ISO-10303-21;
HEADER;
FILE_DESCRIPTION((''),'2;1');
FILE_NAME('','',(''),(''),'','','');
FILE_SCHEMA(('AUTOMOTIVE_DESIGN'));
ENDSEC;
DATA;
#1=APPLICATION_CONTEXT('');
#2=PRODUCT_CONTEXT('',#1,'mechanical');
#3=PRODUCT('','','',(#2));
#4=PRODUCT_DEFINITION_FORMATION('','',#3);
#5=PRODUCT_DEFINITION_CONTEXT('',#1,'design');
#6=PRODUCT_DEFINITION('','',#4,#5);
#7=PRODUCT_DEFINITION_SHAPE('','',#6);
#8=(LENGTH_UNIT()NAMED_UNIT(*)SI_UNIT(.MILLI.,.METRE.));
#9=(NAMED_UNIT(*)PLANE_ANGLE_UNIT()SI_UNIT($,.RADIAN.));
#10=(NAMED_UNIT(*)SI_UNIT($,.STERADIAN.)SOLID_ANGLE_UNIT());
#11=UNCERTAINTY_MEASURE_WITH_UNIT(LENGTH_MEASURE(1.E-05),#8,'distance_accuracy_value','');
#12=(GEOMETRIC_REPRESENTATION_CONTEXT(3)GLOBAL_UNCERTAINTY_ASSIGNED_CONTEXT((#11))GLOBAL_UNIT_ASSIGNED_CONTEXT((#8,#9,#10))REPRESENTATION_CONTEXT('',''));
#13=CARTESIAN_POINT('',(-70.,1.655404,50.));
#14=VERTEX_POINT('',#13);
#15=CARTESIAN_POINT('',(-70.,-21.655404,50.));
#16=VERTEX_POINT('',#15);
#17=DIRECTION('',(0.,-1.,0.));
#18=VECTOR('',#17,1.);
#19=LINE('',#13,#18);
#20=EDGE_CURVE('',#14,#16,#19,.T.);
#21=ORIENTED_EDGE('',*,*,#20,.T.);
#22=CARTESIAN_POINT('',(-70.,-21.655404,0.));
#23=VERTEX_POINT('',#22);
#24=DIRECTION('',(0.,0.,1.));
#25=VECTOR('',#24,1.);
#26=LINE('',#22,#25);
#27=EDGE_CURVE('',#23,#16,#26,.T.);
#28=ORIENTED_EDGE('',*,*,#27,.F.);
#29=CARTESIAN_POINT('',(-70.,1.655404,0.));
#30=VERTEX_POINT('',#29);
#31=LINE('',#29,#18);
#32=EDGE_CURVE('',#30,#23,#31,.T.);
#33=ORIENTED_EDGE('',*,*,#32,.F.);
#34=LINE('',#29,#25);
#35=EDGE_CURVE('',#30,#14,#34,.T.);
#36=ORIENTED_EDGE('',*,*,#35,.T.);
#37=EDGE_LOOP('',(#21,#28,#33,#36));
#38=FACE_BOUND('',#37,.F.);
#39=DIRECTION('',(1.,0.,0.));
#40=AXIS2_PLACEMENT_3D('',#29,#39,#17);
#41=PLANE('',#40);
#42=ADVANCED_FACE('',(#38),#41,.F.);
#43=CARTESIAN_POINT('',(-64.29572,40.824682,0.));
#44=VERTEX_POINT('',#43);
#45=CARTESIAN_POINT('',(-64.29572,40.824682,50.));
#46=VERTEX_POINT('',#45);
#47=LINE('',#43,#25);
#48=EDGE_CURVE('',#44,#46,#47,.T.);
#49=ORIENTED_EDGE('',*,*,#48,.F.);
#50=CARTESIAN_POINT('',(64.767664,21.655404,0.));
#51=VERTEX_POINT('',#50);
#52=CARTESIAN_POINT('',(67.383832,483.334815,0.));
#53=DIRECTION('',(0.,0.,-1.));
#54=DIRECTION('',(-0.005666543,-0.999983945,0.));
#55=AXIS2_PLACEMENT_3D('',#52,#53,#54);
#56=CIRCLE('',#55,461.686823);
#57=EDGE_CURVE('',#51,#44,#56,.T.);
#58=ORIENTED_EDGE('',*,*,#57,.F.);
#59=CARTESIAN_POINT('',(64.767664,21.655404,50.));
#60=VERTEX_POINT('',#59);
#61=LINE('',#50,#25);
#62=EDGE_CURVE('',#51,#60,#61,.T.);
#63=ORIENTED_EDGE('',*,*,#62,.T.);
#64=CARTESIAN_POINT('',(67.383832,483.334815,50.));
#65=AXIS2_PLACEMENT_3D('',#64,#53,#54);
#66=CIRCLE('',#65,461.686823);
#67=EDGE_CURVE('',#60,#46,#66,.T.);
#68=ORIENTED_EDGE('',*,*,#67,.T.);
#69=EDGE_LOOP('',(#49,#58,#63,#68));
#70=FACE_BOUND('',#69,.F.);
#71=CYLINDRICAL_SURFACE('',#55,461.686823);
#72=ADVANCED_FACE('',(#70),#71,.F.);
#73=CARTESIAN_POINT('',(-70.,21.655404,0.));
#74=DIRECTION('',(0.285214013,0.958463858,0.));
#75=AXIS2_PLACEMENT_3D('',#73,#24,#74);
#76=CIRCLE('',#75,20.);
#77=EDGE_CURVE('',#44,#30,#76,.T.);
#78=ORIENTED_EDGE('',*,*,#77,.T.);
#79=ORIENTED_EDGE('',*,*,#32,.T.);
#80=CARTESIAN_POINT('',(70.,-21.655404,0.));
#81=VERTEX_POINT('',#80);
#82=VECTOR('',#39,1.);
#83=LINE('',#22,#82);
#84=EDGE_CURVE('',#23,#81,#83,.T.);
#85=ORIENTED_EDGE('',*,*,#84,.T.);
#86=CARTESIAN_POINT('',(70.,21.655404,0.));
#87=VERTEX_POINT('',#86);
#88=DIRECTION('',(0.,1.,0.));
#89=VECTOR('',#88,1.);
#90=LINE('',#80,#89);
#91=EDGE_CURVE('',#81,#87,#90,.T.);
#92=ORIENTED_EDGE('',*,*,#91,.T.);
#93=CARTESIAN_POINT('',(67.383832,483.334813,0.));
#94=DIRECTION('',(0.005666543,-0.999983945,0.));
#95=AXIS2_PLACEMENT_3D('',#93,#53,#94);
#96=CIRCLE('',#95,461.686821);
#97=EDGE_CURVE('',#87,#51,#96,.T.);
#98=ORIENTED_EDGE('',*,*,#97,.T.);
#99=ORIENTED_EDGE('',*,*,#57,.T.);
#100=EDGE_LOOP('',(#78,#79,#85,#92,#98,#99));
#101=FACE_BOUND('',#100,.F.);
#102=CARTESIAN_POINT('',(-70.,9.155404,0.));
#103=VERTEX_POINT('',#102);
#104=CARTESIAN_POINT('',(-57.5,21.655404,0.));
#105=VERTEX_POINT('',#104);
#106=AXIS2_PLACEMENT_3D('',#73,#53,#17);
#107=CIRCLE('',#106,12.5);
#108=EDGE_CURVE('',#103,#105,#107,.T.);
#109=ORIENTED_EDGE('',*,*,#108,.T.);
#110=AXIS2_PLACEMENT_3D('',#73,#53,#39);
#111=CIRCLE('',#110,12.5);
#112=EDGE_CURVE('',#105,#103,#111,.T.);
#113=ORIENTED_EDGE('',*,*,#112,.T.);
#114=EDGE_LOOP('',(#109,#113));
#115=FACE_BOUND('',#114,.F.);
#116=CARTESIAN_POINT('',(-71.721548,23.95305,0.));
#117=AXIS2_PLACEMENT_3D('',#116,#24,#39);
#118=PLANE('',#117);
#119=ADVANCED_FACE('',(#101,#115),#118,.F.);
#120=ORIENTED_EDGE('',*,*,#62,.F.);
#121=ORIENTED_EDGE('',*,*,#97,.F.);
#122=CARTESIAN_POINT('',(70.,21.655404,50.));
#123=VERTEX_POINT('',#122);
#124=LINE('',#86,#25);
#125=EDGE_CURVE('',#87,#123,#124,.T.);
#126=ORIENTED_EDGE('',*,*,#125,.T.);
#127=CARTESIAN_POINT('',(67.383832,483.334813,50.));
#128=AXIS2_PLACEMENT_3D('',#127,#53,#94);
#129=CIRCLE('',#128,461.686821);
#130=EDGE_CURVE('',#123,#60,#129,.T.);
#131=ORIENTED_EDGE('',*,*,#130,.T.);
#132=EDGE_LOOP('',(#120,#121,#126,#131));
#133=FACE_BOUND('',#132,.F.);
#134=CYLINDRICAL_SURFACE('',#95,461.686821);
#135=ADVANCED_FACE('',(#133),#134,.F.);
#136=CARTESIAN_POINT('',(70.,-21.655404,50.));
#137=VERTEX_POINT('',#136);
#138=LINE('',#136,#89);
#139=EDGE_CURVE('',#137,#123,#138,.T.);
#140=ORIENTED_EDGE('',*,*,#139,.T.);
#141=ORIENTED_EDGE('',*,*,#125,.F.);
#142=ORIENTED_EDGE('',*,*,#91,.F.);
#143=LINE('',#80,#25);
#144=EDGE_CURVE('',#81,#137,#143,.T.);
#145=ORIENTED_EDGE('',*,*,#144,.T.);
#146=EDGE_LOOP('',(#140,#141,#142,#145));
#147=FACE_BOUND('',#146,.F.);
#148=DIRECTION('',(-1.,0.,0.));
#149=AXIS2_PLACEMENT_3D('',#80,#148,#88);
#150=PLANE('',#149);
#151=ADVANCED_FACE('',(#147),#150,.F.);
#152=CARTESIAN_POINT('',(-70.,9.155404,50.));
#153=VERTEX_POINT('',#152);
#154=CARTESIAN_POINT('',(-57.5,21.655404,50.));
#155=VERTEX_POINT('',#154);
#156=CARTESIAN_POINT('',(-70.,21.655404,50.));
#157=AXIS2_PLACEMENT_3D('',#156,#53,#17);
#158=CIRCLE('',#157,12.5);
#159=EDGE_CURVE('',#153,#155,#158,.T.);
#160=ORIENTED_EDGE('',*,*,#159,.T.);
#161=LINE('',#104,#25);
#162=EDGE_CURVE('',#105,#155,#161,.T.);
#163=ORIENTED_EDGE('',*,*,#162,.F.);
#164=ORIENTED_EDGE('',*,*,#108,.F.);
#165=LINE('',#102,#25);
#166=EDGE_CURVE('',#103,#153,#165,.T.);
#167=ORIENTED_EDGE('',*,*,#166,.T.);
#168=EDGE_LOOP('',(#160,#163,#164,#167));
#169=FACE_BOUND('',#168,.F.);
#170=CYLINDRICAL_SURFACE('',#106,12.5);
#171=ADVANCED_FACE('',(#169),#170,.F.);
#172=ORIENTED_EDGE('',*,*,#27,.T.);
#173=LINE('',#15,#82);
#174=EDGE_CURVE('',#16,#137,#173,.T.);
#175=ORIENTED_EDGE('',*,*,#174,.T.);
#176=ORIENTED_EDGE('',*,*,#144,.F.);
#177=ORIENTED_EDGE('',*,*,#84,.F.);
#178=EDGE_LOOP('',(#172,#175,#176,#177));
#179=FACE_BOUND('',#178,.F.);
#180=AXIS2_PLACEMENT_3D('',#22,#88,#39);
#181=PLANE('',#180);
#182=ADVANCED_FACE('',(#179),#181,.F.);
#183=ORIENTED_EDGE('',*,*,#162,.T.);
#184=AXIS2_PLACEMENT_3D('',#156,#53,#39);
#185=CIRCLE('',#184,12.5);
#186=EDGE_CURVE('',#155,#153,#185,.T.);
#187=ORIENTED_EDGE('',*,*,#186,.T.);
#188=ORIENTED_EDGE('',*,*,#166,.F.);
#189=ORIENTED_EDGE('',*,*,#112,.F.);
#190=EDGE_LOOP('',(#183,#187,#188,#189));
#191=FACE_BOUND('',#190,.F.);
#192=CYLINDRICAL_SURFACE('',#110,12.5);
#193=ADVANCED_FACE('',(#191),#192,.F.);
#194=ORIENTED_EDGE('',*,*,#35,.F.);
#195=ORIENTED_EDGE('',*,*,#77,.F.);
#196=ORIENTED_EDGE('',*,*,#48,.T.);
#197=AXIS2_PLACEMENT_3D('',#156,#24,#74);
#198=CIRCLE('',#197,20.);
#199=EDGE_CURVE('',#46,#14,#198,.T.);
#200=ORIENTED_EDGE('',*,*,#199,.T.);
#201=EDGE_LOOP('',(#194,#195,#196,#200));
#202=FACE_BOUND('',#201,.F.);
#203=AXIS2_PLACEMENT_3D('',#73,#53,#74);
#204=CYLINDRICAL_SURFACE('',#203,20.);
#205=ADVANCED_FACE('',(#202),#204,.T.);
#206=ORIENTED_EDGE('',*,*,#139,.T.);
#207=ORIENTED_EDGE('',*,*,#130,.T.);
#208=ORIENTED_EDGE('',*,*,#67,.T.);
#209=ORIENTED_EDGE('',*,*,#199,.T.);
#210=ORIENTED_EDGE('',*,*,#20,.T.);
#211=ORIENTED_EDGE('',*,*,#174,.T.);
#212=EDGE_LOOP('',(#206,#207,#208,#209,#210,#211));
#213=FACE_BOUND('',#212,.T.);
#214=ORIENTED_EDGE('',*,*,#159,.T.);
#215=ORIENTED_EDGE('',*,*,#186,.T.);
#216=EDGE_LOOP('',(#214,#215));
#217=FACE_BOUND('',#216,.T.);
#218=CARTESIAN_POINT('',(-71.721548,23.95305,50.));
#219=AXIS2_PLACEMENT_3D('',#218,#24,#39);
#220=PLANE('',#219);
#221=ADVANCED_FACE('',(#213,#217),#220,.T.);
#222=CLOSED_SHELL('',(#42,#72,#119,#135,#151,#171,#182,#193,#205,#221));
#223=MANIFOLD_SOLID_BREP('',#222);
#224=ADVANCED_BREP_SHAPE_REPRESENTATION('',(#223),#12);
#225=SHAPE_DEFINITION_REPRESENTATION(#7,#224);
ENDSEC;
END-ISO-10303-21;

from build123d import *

# Parameters (mm, degrees)
F1_DEPTH = 50


with BuildPart() as f1:
    # F0 (on Top) → F1 (new body)
    with BuildSketch(Plane.XY):
        with BuildLine():
            ThreePointArc((-70, 9.1554043633), (-78.8388347648, 30.4942391281), (-57.5, 21.6554043633))
            Line((-57.5, 21.6554043633), (-50, 21.6554043633))
            ThreePointArc((-50, 21.6554043633), (-53.9674455372, 33.6118753057), (-64.2957197398, 40.82468152))
            ThreePointArc((-64.2957197398, 40.82468152), (-89.7912296629, 24.5376306612), (-70, 1.6554043633))
            Line((-70, 1.6554043633), (-70, 9.1554043633))
        make_face()
        with BuildLine():
            Line((64.7676638248, 21.6554043633), (-50, 21.6554043633))
            ThreePointArc((-50, 21.6554043633), (-55.8578643763, 7.5132687395), (-70, 1.6554043633))
            Line((-70, 1.6554043633), (-70, -21.6554043633))
            Line((-70, -21.6554043633), (70, -21.6554043633))
            Line((70, -21.6554043633), (70, 21.6554043633))
            ThreePointArc((70, 21.6554043633), (67.3838319124, 21.6479919897), (64.7676638248, 21.6554043633))
        make_face()
        with BuildLine():
            Line((-50, 21.6554043633), (-57.5, 21.6554043633))
            ThreePointArc((-57.5, 21.6554043633), (-61.1611652352, 12.8165695984), (-70, 9.1554043633))
            Line((-70, 9.1554043633), (-70, 1.6554043633))
            ThreePointArc((-70, 1.6554043633), (-55.8578643763, 7.5132687395), (-50, 21.6554043633))
        make_face()
        with BuildLine():
            ThreePointArc((-64.2957197398, 40.82468152), (-53.9674455372, 33.6118753057), (-50, 21.6554043633))
            Line((-50, 21.6554043633), (64.7676638248, 21.6554043633))
            ThreePointArc((64.7676638248, 21.6554043633), (-0.4446310054, 26.6576619002), (-64.2957197398, 40.82468152))
        make_face()
    extrude(amount=F1_DEPTH)


solid = f1.part
